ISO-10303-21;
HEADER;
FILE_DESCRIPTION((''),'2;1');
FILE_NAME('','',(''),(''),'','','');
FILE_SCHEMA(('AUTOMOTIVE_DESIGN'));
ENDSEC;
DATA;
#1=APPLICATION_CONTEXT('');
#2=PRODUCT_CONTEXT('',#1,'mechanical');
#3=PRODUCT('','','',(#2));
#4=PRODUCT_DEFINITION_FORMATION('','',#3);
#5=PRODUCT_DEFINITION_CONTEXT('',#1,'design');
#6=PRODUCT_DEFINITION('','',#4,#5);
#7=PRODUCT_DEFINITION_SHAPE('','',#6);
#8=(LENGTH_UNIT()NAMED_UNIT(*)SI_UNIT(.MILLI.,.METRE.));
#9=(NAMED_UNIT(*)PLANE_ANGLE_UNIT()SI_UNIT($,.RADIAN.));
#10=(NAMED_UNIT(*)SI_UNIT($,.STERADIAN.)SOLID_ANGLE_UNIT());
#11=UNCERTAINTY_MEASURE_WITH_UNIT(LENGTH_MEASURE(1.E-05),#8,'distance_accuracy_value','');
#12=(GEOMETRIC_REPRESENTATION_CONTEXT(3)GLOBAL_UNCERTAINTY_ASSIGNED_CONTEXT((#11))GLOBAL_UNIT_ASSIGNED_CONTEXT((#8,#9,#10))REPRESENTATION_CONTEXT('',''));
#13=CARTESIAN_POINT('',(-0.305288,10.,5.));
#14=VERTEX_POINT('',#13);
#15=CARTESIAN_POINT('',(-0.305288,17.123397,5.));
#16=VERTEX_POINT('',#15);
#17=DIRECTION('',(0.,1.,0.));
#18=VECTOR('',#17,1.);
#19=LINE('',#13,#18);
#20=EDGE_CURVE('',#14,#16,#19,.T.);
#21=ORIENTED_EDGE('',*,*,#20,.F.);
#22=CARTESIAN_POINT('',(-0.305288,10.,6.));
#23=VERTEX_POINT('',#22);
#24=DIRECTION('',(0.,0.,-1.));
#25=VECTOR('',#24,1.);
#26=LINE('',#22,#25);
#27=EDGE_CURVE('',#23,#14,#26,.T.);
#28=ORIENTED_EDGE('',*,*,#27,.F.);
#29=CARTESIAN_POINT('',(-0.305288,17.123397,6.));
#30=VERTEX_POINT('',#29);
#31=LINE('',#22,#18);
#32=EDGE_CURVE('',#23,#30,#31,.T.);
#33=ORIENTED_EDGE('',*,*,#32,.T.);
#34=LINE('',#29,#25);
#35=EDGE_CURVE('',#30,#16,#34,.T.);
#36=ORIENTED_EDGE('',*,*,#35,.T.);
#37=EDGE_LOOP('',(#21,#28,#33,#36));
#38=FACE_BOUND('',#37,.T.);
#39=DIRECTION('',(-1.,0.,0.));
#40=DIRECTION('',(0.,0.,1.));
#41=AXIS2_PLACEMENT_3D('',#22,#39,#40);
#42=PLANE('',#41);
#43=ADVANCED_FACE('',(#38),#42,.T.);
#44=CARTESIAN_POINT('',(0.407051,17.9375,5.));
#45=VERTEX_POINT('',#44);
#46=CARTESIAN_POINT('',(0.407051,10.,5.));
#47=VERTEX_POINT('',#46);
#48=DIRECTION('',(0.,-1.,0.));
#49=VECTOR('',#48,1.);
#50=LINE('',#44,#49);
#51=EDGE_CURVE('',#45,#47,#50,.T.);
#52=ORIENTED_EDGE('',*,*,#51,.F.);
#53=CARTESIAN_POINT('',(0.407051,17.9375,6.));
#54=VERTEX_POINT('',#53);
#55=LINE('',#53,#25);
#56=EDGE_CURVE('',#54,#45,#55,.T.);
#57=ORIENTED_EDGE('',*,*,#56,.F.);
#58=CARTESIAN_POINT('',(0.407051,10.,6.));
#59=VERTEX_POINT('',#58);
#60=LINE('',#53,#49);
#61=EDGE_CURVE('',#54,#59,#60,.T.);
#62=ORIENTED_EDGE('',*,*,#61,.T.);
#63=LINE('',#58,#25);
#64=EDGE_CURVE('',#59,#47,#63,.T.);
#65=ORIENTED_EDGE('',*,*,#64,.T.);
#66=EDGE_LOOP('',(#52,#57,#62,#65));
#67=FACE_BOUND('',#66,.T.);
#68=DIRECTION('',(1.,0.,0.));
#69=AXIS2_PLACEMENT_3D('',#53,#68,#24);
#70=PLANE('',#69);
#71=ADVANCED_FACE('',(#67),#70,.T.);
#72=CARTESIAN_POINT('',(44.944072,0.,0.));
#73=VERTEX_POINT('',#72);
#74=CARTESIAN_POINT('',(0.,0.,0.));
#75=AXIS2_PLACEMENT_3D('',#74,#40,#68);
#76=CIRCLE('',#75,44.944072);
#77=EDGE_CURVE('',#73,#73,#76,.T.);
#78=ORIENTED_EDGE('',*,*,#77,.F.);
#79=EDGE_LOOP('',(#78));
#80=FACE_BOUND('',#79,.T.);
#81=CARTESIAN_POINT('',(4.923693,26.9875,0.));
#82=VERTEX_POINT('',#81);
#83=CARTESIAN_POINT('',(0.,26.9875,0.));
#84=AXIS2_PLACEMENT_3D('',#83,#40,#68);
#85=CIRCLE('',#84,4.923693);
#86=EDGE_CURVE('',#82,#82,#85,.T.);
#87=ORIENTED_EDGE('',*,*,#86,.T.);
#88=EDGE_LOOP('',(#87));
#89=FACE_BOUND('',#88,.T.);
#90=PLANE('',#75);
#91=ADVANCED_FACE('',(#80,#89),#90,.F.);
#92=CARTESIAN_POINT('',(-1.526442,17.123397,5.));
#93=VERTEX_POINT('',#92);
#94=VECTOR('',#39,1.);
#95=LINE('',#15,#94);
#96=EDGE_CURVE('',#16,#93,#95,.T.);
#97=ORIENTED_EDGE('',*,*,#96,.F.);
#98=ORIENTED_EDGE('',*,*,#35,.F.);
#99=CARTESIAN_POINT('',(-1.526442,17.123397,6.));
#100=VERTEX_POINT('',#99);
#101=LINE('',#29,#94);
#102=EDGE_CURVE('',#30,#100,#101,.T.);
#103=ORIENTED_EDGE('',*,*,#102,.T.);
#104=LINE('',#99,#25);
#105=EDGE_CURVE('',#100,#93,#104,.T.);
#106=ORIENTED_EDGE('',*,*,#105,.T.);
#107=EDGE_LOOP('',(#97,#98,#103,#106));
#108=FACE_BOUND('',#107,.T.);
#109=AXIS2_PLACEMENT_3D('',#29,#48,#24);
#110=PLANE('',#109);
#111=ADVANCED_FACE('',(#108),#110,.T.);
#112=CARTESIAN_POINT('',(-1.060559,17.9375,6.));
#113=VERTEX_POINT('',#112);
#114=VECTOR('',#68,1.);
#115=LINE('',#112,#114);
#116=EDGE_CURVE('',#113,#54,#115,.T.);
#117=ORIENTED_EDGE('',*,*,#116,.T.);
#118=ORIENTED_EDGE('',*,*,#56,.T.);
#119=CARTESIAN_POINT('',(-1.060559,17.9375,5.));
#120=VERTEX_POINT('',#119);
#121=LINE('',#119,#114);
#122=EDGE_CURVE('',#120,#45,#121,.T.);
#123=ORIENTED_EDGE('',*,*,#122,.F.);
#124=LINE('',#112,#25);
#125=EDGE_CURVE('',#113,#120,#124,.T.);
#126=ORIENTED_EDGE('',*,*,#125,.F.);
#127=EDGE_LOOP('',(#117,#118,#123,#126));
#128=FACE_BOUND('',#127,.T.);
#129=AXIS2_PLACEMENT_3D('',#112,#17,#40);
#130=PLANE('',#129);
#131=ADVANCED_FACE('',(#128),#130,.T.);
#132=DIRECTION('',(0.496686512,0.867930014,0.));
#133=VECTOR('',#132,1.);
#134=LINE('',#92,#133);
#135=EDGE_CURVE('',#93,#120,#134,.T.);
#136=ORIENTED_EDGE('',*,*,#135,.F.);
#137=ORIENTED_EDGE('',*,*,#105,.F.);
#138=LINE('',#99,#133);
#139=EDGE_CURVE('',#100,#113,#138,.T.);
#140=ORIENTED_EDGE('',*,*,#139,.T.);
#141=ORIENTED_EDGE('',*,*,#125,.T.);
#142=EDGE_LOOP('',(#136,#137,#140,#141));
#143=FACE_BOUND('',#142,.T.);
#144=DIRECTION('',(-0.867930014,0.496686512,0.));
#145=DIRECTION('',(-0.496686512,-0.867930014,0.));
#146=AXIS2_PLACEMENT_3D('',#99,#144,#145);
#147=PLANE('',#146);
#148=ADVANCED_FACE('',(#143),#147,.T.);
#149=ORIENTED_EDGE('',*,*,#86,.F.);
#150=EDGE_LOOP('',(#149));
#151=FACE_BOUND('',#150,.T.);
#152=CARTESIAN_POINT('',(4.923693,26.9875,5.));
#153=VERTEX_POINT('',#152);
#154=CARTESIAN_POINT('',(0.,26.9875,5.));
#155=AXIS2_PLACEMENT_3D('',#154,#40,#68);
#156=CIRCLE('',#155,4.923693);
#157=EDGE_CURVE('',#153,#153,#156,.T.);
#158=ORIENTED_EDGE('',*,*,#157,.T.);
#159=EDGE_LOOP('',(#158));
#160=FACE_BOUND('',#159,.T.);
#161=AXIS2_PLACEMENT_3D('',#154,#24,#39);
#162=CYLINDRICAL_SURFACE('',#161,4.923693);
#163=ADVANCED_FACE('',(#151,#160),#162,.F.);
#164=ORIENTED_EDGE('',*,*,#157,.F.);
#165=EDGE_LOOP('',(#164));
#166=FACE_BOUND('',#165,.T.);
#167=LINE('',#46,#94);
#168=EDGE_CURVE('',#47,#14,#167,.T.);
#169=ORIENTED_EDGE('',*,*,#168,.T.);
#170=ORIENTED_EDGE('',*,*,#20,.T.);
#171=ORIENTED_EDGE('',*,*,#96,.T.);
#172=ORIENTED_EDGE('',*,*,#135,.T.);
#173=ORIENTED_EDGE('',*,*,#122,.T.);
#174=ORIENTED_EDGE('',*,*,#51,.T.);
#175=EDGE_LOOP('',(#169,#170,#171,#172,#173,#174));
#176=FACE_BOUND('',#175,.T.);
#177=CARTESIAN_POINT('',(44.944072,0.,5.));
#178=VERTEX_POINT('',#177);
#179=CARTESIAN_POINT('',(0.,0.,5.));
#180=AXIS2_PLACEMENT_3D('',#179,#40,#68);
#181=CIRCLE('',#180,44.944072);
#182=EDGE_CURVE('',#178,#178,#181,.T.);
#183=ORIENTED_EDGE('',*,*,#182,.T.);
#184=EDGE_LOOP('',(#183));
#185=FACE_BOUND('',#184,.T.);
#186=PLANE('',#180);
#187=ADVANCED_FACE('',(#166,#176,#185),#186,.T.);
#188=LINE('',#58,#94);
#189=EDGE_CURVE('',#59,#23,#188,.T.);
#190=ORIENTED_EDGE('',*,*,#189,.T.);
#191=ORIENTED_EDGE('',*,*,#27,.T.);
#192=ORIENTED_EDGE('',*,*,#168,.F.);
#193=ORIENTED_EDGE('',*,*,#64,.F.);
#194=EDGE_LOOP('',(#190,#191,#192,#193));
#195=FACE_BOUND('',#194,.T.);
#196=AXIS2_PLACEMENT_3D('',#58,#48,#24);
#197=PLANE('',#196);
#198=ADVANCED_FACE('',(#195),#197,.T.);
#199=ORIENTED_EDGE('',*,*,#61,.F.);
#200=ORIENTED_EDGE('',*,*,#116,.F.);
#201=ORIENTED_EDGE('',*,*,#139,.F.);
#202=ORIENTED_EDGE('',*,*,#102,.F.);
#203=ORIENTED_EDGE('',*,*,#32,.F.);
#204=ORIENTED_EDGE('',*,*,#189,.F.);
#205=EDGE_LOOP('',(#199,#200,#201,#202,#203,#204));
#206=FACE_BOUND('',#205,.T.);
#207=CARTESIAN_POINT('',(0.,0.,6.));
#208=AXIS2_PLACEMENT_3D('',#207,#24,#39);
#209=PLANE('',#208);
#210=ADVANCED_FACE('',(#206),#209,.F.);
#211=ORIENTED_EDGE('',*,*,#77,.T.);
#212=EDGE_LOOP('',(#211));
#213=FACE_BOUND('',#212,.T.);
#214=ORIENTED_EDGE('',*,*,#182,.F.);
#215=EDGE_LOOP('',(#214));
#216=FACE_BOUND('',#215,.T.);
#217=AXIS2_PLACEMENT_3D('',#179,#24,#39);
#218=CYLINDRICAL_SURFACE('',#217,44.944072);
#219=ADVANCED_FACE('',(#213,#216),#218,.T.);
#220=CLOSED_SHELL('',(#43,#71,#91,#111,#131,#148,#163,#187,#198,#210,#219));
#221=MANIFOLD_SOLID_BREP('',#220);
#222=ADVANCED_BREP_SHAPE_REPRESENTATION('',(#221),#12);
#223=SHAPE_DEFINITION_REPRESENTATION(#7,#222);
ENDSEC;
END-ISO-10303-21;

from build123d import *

# Parameters (mm, degrees)
SKIZZE1_R                       = 44.944071705
SKIZZE1_R_2                     = 4.923692712
AUFSATZ_LINEAR_AUSTRAGEN1_DEPTH = 5
AUFSATZ_LINEAR_AUSTRAGEN2_DEPTH = 1


with BuildPart() as part:
    # Skizze1 → Aufsatz-Linear austragen1 (new body)
    with BuildSketch(Plane.XY):
        Circle(SKIZZE1_R)
        with Locations((0, 26.9875)):
            Circle(SKIZZE1_R_2, mode=Mode.SUBTRACT)
    extrude(amount=AUFSATZ_LINEAR_AUSTRAGEN1_DEPTH)

    # Skizze2 → Aufsatz-Linear austragen2 (add)
    with BuildSketch(Plane.XY.offset(5)):
        Polygon((-1.060559395, 17.9375), (0.407051282, 17.9375), (0.407051282, 10), (-0.305288462, 10), (-0.305288462, 17.123397436), (-1.526442308, 17.123397436), align=None)
    extrude(amount=AUFSATZ_LINEAR_AUSTRAGEN2_DEPTH)


solid = part.part
